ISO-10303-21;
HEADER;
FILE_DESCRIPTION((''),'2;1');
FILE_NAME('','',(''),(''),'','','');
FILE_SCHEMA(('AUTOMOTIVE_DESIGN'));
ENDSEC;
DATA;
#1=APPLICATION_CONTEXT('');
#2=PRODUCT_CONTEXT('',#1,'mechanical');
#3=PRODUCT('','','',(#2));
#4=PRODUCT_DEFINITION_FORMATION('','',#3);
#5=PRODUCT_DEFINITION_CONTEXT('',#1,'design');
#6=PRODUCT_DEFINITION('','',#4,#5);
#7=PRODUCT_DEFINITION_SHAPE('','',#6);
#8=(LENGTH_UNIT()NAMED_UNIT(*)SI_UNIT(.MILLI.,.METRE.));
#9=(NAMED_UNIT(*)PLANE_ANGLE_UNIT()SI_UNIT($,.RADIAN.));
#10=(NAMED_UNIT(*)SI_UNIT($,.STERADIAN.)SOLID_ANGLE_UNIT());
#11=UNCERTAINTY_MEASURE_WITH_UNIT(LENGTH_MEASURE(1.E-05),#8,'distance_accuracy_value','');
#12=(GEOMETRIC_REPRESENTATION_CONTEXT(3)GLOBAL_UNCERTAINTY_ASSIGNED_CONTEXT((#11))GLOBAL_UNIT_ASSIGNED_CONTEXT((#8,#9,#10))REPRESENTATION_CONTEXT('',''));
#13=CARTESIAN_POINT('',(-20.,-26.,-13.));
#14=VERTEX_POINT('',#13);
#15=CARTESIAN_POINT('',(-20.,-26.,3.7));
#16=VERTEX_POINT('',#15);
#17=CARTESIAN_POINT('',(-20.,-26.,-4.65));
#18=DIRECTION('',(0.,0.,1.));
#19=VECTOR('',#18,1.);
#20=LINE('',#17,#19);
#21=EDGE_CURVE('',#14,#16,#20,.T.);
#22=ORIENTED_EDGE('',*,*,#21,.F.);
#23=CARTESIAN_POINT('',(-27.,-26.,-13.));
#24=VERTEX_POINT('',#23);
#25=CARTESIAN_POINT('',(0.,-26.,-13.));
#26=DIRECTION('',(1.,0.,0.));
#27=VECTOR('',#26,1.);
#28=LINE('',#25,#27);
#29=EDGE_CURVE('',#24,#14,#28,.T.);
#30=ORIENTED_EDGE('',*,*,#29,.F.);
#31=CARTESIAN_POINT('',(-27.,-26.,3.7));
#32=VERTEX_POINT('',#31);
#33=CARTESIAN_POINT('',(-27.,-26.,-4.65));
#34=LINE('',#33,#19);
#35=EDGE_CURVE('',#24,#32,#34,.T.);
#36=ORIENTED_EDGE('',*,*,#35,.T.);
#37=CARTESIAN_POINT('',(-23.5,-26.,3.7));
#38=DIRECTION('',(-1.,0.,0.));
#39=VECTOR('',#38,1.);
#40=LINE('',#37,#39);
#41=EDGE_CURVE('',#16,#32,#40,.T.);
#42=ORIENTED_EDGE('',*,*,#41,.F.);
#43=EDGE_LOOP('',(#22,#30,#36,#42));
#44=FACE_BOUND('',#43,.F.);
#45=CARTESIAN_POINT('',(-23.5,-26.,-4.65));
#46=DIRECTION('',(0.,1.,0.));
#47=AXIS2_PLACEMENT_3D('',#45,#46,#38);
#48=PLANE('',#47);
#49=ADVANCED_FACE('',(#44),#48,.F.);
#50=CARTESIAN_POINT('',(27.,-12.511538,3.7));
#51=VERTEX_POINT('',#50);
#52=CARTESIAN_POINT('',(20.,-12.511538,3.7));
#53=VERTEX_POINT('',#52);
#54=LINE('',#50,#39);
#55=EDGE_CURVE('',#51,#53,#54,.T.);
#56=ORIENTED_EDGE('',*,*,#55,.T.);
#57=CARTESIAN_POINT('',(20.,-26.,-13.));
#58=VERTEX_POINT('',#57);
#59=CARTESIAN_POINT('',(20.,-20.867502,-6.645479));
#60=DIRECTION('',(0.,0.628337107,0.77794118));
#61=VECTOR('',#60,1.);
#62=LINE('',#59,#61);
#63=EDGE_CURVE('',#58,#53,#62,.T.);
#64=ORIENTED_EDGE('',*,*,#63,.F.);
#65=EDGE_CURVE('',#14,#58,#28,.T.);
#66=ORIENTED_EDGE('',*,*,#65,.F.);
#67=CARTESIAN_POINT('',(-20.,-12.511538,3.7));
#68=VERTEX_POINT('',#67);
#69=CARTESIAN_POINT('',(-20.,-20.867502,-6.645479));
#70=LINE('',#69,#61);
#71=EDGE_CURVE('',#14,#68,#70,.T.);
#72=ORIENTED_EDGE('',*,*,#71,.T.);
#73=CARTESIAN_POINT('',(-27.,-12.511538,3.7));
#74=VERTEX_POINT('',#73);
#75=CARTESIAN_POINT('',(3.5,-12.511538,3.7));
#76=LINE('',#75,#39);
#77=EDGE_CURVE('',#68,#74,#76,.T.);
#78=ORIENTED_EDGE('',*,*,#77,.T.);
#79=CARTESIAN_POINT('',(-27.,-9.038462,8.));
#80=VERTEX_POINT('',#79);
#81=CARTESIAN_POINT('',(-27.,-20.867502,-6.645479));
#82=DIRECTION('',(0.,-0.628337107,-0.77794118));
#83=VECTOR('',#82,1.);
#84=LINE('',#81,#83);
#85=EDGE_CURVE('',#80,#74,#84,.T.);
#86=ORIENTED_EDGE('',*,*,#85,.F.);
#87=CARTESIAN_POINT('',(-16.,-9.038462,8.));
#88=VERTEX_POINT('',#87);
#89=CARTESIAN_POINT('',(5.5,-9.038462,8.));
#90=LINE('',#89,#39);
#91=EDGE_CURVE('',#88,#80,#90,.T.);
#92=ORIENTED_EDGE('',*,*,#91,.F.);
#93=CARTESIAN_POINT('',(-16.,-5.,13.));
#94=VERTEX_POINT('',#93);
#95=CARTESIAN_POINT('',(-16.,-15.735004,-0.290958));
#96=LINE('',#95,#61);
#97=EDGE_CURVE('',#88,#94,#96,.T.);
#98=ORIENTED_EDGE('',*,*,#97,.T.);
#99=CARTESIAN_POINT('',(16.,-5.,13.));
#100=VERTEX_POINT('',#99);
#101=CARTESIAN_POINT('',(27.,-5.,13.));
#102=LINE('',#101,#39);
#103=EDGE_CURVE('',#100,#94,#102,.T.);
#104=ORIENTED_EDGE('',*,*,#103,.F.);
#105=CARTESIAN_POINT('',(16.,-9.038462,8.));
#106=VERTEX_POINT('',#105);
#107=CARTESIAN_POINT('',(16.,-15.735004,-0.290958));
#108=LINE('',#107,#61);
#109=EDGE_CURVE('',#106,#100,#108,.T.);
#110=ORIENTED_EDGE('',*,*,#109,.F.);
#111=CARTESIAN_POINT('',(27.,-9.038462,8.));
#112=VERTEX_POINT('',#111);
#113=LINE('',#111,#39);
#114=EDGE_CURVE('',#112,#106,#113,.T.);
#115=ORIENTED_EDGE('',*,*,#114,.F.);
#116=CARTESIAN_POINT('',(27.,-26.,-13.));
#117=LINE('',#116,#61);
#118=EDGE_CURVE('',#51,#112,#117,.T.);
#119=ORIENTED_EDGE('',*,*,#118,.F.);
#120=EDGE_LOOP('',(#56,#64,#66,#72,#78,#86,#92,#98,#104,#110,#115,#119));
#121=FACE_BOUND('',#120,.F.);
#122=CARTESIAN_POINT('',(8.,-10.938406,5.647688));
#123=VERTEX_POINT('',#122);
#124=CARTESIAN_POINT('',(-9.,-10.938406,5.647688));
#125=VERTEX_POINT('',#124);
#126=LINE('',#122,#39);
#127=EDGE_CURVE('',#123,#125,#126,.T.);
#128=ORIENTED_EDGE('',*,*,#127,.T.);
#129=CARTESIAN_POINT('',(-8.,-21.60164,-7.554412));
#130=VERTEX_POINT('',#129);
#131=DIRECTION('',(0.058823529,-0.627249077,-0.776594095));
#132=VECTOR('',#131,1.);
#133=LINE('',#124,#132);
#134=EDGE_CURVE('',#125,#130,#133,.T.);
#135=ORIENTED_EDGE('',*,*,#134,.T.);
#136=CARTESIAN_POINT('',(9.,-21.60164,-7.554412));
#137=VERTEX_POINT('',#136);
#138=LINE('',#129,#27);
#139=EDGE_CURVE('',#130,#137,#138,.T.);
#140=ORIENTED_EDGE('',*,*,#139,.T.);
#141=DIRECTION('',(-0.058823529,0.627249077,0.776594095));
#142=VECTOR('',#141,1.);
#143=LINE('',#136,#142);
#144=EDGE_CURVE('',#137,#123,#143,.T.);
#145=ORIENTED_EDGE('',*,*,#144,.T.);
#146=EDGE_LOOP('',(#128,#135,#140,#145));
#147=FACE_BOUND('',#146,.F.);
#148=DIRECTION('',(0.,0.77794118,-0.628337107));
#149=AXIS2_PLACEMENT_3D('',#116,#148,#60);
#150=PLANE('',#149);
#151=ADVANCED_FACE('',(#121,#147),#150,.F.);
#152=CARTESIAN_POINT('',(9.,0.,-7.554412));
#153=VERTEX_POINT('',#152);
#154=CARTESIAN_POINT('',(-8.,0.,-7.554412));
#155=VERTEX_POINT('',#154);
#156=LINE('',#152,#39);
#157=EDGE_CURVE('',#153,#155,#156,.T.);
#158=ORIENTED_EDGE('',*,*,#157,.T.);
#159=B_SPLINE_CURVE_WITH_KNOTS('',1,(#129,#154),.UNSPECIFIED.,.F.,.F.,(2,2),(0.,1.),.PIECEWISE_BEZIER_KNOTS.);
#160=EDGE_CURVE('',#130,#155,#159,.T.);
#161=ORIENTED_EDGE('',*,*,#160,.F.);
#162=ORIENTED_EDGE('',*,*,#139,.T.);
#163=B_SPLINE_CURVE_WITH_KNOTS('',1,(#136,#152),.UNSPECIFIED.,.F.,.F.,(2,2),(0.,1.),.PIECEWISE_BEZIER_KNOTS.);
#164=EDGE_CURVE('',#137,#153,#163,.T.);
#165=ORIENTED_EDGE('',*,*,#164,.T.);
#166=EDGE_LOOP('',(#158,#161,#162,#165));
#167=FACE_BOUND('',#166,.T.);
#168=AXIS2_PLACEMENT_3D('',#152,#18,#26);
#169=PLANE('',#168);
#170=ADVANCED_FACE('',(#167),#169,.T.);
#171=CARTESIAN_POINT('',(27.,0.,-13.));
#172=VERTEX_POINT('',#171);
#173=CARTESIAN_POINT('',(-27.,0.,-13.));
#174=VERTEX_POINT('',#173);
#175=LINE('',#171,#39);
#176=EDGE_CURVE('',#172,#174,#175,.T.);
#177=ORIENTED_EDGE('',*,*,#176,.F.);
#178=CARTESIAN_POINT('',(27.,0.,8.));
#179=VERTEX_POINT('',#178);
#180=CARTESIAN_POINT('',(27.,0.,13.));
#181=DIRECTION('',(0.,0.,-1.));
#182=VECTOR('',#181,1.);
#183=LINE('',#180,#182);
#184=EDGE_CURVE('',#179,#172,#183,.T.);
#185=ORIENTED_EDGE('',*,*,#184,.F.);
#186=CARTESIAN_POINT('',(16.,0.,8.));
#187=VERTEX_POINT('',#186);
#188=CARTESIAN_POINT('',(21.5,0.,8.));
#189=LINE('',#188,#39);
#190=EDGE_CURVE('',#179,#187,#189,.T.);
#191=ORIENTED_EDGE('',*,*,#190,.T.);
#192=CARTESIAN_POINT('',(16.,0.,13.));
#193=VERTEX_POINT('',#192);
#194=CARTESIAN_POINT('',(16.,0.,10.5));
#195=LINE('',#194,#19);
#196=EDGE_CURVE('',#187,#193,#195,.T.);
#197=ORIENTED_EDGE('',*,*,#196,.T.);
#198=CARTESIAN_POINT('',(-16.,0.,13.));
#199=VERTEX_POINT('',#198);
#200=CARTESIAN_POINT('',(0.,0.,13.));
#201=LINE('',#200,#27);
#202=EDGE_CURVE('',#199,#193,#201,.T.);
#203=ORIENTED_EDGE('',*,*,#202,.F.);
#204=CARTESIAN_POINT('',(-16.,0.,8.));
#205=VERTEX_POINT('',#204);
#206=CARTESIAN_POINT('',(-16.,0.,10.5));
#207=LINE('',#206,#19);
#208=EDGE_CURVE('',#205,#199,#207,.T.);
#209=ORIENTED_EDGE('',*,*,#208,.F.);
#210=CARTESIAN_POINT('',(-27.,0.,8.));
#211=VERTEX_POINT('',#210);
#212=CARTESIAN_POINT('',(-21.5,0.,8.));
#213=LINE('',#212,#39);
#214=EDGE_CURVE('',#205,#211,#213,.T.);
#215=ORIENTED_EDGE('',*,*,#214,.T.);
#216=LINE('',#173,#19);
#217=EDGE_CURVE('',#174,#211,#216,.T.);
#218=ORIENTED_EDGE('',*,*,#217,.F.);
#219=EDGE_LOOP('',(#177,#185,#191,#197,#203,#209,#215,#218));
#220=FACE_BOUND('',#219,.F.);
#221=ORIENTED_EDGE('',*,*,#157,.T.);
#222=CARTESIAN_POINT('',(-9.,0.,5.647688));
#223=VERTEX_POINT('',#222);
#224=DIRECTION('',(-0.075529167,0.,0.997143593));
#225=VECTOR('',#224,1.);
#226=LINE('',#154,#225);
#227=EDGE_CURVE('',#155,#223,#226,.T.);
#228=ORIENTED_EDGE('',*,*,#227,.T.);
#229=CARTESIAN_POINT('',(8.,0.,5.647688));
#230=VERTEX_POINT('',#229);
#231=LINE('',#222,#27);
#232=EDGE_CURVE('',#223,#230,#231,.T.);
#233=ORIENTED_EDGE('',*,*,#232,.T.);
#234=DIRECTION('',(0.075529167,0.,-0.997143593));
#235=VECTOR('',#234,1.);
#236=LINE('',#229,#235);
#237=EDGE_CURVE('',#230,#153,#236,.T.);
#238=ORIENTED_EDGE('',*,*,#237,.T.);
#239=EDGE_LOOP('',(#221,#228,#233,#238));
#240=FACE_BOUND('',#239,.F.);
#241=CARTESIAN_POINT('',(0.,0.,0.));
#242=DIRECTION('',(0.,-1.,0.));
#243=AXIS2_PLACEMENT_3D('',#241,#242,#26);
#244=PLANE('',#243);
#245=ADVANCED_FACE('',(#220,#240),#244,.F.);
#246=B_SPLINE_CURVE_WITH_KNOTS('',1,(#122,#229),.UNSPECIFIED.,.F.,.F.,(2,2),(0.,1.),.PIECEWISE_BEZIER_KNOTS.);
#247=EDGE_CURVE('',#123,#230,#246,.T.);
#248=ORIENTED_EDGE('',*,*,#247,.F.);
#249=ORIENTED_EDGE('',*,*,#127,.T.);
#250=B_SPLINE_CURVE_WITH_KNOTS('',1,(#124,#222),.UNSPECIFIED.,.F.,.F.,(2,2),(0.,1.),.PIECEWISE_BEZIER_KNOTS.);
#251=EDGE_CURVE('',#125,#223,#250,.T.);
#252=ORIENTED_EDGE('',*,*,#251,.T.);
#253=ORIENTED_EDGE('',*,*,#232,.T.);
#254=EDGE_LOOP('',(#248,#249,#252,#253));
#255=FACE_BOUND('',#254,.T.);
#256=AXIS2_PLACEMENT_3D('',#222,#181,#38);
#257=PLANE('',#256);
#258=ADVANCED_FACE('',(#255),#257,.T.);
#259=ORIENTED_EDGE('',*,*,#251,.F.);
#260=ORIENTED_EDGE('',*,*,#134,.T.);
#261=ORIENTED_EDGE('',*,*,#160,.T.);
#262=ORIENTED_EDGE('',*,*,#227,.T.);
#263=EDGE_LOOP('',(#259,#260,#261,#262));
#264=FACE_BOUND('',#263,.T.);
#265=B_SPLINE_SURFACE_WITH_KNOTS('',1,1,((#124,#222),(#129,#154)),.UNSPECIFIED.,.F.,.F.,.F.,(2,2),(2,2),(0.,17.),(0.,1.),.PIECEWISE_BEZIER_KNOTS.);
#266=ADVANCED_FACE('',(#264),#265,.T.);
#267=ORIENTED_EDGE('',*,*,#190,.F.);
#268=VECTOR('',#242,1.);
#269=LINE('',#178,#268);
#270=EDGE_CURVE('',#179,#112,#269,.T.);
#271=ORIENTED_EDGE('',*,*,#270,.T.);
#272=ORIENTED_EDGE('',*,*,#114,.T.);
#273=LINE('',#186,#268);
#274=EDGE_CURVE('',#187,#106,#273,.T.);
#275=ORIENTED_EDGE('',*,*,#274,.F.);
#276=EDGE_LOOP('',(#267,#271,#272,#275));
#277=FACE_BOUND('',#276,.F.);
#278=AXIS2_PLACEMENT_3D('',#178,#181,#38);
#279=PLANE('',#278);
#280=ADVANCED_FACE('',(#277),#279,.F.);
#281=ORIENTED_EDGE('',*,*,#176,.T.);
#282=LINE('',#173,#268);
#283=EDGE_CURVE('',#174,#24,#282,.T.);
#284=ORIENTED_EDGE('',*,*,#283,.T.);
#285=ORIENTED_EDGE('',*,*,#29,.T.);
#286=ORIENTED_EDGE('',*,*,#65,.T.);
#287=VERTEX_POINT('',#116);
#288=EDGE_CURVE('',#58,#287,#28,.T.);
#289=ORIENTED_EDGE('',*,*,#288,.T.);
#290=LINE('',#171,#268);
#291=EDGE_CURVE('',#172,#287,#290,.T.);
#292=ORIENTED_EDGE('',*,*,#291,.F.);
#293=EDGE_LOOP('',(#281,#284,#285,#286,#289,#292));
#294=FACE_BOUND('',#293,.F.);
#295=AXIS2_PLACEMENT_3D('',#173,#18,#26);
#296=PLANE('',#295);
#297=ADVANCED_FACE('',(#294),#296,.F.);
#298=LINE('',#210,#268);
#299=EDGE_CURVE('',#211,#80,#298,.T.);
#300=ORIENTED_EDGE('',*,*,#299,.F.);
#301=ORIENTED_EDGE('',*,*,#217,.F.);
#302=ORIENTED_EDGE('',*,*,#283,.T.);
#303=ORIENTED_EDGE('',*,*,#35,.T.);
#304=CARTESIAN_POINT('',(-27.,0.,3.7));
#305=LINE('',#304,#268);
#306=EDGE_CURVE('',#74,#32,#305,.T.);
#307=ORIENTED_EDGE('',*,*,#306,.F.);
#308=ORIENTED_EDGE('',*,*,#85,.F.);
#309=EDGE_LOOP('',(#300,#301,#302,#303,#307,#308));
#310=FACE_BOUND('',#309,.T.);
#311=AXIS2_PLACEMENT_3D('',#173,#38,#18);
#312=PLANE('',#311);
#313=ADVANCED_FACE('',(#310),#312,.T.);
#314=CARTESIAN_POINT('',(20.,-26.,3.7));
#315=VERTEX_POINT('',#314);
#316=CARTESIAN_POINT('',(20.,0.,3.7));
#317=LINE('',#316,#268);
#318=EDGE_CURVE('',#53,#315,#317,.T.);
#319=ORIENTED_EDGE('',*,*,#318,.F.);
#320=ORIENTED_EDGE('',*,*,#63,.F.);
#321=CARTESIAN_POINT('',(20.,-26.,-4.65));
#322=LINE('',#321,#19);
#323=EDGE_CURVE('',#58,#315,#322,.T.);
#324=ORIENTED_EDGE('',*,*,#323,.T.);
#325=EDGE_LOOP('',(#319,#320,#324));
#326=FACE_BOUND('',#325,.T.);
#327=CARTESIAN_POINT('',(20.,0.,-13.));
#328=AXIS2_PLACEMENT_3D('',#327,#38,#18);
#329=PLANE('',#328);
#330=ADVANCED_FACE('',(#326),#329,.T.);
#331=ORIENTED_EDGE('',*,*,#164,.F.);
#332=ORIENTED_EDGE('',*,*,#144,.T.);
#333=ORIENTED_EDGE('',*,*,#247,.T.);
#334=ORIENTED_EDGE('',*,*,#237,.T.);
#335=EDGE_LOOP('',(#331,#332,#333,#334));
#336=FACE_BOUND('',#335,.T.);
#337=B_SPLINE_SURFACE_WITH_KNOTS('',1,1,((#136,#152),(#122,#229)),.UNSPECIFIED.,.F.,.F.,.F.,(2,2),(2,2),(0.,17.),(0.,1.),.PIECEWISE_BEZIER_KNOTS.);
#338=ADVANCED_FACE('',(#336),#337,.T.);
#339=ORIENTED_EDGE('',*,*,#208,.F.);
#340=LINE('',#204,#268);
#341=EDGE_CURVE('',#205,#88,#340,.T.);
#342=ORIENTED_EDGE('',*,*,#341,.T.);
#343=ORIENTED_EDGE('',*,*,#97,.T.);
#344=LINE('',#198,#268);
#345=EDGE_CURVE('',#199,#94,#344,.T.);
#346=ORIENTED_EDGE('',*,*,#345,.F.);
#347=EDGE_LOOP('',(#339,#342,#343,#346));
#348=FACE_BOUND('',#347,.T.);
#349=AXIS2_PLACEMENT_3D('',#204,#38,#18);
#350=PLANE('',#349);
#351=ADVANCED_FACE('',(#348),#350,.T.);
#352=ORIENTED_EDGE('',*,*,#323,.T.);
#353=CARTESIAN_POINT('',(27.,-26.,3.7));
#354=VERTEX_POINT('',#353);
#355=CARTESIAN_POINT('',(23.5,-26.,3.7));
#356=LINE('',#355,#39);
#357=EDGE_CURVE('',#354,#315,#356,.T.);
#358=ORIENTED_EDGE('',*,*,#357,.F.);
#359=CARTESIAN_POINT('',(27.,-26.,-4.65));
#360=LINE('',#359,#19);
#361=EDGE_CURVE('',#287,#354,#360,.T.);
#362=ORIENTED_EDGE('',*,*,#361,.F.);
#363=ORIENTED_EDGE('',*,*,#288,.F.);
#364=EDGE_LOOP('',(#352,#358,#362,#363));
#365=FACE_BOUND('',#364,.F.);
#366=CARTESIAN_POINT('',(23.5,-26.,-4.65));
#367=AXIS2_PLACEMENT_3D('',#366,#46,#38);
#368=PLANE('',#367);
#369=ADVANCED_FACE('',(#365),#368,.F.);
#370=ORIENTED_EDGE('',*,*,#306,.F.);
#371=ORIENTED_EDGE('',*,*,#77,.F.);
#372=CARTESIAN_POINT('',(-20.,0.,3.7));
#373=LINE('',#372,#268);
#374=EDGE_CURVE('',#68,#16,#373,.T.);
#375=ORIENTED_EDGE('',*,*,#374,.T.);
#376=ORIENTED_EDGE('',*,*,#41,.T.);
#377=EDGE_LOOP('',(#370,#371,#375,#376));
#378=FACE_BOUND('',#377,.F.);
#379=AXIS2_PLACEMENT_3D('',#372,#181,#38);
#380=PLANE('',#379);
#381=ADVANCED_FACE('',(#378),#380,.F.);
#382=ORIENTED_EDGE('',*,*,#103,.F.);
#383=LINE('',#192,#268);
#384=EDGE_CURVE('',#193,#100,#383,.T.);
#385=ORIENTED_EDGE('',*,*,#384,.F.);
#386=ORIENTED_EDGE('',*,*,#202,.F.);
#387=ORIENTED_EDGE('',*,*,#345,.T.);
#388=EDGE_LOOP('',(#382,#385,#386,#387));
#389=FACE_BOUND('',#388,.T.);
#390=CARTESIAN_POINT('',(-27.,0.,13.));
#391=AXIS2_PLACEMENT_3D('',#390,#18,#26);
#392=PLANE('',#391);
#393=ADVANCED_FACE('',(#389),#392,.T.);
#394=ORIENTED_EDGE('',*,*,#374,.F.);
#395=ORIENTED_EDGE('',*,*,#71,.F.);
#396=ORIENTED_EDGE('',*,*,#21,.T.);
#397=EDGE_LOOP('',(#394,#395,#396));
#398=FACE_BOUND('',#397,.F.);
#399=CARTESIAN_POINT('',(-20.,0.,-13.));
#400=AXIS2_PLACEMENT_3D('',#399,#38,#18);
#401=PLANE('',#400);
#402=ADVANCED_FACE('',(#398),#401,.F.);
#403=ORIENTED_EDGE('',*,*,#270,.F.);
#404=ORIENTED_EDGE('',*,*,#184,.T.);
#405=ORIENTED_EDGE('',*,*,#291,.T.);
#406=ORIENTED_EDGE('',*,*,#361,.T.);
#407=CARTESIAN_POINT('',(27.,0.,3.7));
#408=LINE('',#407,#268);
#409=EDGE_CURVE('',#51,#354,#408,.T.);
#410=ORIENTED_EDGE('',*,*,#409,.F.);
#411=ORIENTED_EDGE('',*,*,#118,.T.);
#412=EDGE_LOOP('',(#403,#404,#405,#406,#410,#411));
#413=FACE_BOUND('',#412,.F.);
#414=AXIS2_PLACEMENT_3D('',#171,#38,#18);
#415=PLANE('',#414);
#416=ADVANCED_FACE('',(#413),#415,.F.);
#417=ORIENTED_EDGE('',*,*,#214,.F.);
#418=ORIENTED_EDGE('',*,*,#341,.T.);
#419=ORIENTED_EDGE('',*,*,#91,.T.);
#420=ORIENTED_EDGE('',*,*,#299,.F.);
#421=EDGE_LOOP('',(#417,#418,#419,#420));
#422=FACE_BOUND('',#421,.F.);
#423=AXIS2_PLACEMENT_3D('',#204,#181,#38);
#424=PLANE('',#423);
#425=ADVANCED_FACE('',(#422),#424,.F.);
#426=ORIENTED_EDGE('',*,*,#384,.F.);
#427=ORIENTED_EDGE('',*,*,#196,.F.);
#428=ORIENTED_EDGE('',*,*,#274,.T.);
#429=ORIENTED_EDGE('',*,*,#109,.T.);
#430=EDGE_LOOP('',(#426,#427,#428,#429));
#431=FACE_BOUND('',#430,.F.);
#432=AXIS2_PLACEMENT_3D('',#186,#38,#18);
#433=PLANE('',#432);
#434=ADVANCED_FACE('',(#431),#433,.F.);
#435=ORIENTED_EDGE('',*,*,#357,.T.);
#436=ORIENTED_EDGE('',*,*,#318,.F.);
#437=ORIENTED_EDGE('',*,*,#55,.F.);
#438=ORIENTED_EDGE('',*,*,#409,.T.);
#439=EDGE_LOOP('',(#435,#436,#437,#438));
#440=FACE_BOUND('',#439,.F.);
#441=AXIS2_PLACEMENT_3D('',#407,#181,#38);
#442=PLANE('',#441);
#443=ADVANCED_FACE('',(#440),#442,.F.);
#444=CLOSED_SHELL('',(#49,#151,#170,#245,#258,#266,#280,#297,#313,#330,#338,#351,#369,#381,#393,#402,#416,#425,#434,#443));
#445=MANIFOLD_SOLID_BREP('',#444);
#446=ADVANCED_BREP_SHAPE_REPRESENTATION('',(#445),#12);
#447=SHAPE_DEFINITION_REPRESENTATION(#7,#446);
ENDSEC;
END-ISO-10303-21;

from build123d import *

# Parameters (mm, degrees)
F0_W     = 54
F0_H     = 26
F1_DEPTH = 26
F3_DEPTH = 72.1
F4_W     = 7
F4_H     = 16.7
F5_DEPTH = 26
F6_W     = 11
F6_H     = 5
F7_DEPTH = 25


with BuildPart() as f1:
    # F0 (on Front) → F1 (new body)
    with BuildSketch(Plane.XZ):
        Rectangle(F0_W, F0_H)
    extrude(amount=F1_DEPTH)

    # F2 (on face) → F3 (cut)
    with BuildSketch(Plane.YZ.offset(27)):
        Polygon((-26, -13), (-5, 13), (-26, 13), align=None)
    extrude(amount=-F3_DEPTH, mode=Mode.SUBTRACT)

    # F4 (on face) → F5 (join)
    with BuildSketch(Plane(origin=(0, 0, 0), x_dir=(-1, 0, 0), z_dir=(0, 1, 0))):
        with Locations((-23.5, -4.65)):
            Rectangle(F4_W, F4_H)
        with Locations((23.5, -4.65)):
            Rectangle(F4_W, F4_H)
    extrude(amount=-F5_DEPTH)

    # F6 (on face) → F7 (cut)
    with BuildSketch(Plane(origin=(0, 0, 0), x_dir=(-1, 0, 0), z_dir=(0, 1, 0))):
        with Locations((-21.5, 10.5)):
            Rectangle(F6_W, F6_H)
        with Locations((21.5, 10.5)):
            Rectangle(F6_W, F6_H)
    extrude(amount=-F7_DEPTH, mode=Mode.SUBTRACT)

    # F8 (on face) → F10 section 0
    with BuildSketch(Plane(origin=(0, -9.3804834378, 7.5765443151), x_dir=(1, 0, 0), z_dir=(0, -0.7779411802, 0.6283371071))):
        Polygon((-8, -19.4500001269), (9, -19.4500001269), (8, -2.4794373784), (-9, -2.4794373784), align=None)
    # F9 (on face) → F10 section 1
    with BuildSketch(Plane(origin=(0, 0, 0), x_dir=(-1, 0, 0), z_dir=(0, 1, 0))):
        Polygon((9, 5.6476878747), (-8, 5.6476878747), (-9, -7.5544117386), (8, -7.5544117386), align=None)
    loft(mode=Mode.SUBTRACT)


solid = f1.part
